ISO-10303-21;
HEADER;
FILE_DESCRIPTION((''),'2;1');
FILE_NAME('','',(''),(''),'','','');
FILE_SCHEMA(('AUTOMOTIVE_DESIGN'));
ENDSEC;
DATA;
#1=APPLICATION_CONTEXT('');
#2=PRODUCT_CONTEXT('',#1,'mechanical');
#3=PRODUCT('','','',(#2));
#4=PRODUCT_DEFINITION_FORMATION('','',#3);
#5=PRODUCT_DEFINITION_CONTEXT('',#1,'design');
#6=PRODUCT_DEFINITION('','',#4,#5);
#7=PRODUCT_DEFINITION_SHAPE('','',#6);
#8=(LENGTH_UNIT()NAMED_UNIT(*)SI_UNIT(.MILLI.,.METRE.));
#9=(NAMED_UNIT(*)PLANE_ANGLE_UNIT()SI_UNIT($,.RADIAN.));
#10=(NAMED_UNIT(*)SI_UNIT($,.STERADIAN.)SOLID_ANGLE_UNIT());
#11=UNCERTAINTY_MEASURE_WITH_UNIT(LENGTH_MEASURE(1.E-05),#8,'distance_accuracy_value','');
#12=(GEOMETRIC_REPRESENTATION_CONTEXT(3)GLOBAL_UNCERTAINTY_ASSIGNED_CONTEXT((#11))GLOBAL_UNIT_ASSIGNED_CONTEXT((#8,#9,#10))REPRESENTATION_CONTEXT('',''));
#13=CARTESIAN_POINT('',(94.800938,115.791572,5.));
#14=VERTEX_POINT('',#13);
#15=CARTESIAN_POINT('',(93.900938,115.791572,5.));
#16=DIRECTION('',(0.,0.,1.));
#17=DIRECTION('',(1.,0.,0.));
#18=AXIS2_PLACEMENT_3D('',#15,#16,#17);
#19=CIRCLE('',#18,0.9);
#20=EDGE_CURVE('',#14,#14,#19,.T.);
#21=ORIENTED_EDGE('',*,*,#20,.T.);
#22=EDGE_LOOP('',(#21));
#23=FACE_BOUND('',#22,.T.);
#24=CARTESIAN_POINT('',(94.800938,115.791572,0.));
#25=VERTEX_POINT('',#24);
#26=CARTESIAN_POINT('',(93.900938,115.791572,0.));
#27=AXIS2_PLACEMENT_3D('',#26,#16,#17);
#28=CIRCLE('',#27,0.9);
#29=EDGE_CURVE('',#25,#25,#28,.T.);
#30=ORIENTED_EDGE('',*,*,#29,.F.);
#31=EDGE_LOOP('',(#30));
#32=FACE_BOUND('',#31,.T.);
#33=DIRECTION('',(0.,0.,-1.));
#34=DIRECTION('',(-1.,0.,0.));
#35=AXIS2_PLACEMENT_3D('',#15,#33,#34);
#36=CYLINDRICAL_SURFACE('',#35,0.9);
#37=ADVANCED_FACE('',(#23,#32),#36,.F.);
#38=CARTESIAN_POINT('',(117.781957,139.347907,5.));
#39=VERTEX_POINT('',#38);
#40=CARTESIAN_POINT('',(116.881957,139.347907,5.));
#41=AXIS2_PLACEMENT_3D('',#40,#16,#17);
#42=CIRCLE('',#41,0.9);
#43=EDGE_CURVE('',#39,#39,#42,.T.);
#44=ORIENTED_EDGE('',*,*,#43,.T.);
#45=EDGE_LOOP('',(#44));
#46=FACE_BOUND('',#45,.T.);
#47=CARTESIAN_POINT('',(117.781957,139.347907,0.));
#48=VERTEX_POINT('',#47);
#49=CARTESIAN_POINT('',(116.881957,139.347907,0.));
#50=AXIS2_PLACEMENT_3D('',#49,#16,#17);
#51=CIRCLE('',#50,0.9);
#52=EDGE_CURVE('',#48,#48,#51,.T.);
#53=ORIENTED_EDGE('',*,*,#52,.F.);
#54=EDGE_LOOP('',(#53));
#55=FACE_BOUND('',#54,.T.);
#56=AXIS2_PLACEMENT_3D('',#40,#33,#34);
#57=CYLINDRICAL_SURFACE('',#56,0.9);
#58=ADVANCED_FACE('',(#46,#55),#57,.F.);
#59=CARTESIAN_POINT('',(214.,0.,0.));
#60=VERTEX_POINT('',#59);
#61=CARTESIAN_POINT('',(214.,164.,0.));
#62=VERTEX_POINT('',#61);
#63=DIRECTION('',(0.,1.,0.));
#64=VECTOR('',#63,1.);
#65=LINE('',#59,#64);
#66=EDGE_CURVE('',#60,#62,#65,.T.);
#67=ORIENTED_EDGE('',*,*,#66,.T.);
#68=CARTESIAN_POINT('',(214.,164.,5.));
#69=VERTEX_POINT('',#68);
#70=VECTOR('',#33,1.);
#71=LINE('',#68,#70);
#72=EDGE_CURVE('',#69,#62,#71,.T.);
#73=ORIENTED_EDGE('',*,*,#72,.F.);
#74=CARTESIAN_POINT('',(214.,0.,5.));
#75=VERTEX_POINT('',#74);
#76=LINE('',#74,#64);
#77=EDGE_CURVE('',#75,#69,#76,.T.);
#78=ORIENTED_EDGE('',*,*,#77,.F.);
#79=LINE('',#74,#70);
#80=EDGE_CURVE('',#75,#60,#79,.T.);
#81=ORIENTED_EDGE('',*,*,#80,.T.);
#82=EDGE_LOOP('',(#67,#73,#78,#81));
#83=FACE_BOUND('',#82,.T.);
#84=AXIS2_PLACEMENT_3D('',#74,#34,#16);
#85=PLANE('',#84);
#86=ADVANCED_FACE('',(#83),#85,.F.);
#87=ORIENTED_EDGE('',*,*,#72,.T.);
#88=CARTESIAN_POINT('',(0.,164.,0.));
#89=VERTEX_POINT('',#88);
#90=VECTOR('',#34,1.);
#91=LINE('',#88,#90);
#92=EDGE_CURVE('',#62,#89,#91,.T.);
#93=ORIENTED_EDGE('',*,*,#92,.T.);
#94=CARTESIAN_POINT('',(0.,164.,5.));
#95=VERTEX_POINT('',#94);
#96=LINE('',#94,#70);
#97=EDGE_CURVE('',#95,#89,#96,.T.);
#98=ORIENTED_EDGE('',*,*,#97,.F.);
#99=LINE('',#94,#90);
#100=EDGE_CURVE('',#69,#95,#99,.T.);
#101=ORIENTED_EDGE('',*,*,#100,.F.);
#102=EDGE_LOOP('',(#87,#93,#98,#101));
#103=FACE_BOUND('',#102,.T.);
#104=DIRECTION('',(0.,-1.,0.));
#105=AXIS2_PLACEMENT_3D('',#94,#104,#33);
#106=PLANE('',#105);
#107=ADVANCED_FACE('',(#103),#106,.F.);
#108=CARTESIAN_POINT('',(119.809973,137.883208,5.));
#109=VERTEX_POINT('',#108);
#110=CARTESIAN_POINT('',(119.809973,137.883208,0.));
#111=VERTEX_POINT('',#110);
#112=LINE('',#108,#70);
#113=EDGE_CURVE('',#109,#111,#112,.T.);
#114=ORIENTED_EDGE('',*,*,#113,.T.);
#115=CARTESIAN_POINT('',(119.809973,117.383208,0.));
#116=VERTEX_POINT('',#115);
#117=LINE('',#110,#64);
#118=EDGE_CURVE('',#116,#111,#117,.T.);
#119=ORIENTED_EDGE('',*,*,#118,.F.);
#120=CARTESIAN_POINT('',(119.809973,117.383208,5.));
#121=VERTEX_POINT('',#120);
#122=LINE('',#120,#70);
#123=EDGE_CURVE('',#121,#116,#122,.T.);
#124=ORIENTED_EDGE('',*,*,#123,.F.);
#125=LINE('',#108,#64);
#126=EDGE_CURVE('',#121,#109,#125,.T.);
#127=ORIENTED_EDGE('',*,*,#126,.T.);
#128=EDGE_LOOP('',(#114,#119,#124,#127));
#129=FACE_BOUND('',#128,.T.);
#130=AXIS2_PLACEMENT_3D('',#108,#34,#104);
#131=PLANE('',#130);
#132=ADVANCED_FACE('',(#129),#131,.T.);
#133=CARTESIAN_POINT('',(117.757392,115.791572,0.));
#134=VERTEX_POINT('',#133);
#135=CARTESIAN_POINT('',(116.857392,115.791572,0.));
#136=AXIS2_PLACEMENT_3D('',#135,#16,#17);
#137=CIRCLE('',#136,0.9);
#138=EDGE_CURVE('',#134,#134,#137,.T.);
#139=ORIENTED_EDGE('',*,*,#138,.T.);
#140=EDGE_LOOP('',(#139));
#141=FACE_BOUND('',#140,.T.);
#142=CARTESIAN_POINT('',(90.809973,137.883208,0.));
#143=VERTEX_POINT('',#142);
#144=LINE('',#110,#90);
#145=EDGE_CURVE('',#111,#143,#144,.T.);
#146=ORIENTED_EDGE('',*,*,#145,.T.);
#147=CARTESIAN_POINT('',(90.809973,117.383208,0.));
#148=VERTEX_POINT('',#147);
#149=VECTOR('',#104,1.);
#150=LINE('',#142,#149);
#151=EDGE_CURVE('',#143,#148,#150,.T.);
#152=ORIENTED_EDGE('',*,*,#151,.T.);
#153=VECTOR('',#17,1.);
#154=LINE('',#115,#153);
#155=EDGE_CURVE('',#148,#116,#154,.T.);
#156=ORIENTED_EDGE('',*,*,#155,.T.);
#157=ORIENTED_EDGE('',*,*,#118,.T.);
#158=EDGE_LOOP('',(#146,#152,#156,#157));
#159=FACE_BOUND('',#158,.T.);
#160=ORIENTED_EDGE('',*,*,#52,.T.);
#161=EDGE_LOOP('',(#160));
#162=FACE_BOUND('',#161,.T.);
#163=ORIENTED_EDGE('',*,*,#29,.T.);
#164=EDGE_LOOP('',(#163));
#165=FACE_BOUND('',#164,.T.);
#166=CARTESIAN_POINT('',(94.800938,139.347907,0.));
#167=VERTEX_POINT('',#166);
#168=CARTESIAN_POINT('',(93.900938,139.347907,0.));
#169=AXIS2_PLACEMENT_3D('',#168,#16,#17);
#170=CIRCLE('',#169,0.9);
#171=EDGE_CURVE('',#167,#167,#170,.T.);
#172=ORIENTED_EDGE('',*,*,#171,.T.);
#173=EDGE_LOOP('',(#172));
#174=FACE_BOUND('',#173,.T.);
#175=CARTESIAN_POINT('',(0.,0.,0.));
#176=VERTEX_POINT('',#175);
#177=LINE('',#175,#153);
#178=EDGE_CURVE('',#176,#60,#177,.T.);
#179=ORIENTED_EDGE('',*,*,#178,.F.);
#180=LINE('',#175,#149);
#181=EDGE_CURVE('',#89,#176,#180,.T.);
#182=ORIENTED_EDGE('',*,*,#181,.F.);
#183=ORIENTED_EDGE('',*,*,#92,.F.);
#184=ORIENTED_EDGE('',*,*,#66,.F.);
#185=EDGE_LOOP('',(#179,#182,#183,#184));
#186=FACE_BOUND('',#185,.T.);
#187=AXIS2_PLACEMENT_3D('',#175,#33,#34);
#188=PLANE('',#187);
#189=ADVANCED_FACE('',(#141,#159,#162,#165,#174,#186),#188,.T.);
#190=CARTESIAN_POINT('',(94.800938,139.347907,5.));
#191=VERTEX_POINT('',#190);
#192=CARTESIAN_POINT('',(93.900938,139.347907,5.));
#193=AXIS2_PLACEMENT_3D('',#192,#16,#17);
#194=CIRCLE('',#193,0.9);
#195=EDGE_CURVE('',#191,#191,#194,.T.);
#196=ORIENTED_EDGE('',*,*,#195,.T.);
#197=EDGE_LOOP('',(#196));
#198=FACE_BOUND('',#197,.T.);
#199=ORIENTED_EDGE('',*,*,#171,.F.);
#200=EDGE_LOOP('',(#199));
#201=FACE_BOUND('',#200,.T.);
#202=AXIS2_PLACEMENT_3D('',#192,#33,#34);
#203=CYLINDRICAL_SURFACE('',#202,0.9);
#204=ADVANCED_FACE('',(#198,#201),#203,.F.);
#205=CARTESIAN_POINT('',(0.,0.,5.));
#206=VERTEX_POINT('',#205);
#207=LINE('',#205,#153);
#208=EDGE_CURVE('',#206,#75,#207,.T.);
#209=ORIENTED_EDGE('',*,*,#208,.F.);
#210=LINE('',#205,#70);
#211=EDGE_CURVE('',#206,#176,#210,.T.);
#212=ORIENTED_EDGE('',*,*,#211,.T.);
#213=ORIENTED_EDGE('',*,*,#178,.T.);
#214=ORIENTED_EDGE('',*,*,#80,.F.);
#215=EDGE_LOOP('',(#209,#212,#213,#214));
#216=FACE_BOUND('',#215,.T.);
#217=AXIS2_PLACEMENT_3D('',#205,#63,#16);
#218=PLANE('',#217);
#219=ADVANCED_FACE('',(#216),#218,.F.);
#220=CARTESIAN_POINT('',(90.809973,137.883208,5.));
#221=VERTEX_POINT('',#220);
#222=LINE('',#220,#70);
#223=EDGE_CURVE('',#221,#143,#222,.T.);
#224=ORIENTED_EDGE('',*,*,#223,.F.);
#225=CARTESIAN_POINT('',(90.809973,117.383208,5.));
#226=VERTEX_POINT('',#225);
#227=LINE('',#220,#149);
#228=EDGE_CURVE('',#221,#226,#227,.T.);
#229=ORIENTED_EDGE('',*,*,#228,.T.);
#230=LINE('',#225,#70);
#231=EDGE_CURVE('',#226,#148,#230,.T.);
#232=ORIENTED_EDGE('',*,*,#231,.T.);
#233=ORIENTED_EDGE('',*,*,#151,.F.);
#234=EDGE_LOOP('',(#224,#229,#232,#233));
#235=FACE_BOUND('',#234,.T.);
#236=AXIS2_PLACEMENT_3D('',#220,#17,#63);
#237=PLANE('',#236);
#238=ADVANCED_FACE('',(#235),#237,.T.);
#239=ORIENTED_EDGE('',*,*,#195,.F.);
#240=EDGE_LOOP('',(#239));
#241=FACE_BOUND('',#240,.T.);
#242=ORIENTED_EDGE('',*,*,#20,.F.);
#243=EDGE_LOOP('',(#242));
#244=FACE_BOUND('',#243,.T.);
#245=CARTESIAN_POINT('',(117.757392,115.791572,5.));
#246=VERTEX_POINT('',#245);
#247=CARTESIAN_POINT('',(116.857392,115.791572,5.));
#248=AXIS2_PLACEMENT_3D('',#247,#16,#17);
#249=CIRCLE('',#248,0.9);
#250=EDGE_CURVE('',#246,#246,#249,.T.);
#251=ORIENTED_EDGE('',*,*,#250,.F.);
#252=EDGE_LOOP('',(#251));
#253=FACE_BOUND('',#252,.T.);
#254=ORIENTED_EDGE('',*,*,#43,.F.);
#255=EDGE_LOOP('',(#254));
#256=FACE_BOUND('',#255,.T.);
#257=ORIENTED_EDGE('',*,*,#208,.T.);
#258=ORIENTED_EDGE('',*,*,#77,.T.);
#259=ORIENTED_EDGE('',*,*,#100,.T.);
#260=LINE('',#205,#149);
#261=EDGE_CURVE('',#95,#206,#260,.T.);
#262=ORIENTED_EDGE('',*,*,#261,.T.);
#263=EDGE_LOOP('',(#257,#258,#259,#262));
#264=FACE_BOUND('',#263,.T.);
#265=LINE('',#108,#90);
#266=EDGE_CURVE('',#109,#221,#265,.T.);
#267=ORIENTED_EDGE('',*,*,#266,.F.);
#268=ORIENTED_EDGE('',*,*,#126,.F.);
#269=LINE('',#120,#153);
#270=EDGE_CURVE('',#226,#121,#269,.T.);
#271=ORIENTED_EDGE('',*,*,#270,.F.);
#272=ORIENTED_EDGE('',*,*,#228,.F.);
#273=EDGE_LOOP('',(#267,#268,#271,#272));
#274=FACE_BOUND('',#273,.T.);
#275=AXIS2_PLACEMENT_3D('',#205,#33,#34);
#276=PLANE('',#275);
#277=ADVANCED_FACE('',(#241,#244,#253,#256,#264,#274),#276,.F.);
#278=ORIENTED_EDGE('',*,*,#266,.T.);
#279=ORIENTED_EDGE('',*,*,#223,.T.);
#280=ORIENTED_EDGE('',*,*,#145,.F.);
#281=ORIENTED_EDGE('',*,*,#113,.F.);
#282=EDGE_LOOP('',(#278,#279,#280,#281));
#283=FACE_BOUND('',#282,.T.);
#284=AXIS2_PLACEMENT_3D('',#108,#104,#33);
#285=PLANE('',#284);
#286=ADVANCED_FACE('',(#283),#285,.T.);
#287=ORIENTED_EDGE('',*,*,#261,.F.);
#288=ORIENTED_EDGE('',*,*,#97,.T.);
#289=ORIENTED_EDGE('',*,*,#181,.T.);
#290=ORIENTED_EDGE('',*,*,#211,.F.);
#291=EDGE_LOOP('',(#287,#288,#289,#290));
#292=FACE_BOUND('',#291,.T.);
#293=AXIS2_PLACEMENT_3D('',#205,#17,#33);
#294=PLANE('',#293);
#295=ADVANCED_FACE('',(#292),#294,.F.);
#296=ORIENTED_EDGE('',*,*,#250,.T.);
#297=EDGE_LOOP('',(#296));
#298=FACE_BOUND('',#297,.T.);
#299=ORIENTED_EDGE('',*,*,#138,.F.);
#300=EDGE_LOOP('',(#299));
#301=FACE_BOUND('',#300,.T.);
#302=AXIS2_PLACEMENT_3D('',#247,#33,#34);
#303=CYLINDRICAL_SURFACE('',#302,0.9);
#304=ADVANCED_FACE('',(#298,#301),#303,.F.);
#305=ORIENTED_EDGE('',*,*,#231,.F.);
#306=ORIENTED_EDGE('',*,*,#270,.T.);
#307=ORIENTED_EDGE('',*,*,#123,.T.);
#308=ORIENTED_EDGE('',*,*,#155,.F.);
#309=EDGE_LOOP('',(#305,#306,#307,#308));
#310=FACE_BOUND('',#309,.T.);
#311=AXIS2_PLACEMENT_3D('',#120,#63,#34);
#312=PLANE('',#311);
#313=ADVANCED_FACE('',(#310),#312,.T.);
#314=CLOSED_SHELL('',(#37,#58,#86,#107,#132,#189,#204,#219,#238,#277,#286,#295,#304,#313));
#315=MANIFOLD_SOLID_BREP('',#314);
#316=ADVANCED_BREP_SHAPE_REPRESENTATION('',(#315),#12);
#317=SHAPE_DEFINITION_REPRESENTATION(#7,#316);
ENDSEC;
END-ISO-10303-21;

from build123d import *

# Parameters (mm, degrees)
SKETCH1_W           = 214
SKETCH1_H           = 164
SKETCH1_R           = 0.9
SKETCH1_W_2         = 29
SKETCH1_H_2         = 20.5
BOSS_EXTRUDE1_DEPTH = 5


with BuildPart() as part:
    # Sketch1 → Boss-Extrude1 (new body)
    with BuildSketch(Plane.XY):
        with Locations((107, 82)):
            Rectangle(SKETCH1_W, SKETCH1_H)
        with Locations((93.900938416, 139.347906795)):
            Circle(SKETCH1_R, mode=Mode.SUBTRACT)
        with Locations((116.881957079, 139.347906795)):
            Circle(SKETCH1_R, mode=Mode.SUBTRACT)
        with Locations((116.857391746, 115.791572104)):
            Circle(SKETCH1_R, mode=Mode.SUBTRACT)
        with Locations((93.900938416, 115.791572104)):
            Circle(SKETCH1_R, mode=Mode.SUBTRACT)
        with Locations((105.3099726, 127.633208092)):
            Rectangle(SKETCH1_W_2, SKETCH1_H_2, mode=Mode.SUBTRACT)
    extrude(amount=BOSS_EXTRUDE1_DEPTH)


solid = part.part
